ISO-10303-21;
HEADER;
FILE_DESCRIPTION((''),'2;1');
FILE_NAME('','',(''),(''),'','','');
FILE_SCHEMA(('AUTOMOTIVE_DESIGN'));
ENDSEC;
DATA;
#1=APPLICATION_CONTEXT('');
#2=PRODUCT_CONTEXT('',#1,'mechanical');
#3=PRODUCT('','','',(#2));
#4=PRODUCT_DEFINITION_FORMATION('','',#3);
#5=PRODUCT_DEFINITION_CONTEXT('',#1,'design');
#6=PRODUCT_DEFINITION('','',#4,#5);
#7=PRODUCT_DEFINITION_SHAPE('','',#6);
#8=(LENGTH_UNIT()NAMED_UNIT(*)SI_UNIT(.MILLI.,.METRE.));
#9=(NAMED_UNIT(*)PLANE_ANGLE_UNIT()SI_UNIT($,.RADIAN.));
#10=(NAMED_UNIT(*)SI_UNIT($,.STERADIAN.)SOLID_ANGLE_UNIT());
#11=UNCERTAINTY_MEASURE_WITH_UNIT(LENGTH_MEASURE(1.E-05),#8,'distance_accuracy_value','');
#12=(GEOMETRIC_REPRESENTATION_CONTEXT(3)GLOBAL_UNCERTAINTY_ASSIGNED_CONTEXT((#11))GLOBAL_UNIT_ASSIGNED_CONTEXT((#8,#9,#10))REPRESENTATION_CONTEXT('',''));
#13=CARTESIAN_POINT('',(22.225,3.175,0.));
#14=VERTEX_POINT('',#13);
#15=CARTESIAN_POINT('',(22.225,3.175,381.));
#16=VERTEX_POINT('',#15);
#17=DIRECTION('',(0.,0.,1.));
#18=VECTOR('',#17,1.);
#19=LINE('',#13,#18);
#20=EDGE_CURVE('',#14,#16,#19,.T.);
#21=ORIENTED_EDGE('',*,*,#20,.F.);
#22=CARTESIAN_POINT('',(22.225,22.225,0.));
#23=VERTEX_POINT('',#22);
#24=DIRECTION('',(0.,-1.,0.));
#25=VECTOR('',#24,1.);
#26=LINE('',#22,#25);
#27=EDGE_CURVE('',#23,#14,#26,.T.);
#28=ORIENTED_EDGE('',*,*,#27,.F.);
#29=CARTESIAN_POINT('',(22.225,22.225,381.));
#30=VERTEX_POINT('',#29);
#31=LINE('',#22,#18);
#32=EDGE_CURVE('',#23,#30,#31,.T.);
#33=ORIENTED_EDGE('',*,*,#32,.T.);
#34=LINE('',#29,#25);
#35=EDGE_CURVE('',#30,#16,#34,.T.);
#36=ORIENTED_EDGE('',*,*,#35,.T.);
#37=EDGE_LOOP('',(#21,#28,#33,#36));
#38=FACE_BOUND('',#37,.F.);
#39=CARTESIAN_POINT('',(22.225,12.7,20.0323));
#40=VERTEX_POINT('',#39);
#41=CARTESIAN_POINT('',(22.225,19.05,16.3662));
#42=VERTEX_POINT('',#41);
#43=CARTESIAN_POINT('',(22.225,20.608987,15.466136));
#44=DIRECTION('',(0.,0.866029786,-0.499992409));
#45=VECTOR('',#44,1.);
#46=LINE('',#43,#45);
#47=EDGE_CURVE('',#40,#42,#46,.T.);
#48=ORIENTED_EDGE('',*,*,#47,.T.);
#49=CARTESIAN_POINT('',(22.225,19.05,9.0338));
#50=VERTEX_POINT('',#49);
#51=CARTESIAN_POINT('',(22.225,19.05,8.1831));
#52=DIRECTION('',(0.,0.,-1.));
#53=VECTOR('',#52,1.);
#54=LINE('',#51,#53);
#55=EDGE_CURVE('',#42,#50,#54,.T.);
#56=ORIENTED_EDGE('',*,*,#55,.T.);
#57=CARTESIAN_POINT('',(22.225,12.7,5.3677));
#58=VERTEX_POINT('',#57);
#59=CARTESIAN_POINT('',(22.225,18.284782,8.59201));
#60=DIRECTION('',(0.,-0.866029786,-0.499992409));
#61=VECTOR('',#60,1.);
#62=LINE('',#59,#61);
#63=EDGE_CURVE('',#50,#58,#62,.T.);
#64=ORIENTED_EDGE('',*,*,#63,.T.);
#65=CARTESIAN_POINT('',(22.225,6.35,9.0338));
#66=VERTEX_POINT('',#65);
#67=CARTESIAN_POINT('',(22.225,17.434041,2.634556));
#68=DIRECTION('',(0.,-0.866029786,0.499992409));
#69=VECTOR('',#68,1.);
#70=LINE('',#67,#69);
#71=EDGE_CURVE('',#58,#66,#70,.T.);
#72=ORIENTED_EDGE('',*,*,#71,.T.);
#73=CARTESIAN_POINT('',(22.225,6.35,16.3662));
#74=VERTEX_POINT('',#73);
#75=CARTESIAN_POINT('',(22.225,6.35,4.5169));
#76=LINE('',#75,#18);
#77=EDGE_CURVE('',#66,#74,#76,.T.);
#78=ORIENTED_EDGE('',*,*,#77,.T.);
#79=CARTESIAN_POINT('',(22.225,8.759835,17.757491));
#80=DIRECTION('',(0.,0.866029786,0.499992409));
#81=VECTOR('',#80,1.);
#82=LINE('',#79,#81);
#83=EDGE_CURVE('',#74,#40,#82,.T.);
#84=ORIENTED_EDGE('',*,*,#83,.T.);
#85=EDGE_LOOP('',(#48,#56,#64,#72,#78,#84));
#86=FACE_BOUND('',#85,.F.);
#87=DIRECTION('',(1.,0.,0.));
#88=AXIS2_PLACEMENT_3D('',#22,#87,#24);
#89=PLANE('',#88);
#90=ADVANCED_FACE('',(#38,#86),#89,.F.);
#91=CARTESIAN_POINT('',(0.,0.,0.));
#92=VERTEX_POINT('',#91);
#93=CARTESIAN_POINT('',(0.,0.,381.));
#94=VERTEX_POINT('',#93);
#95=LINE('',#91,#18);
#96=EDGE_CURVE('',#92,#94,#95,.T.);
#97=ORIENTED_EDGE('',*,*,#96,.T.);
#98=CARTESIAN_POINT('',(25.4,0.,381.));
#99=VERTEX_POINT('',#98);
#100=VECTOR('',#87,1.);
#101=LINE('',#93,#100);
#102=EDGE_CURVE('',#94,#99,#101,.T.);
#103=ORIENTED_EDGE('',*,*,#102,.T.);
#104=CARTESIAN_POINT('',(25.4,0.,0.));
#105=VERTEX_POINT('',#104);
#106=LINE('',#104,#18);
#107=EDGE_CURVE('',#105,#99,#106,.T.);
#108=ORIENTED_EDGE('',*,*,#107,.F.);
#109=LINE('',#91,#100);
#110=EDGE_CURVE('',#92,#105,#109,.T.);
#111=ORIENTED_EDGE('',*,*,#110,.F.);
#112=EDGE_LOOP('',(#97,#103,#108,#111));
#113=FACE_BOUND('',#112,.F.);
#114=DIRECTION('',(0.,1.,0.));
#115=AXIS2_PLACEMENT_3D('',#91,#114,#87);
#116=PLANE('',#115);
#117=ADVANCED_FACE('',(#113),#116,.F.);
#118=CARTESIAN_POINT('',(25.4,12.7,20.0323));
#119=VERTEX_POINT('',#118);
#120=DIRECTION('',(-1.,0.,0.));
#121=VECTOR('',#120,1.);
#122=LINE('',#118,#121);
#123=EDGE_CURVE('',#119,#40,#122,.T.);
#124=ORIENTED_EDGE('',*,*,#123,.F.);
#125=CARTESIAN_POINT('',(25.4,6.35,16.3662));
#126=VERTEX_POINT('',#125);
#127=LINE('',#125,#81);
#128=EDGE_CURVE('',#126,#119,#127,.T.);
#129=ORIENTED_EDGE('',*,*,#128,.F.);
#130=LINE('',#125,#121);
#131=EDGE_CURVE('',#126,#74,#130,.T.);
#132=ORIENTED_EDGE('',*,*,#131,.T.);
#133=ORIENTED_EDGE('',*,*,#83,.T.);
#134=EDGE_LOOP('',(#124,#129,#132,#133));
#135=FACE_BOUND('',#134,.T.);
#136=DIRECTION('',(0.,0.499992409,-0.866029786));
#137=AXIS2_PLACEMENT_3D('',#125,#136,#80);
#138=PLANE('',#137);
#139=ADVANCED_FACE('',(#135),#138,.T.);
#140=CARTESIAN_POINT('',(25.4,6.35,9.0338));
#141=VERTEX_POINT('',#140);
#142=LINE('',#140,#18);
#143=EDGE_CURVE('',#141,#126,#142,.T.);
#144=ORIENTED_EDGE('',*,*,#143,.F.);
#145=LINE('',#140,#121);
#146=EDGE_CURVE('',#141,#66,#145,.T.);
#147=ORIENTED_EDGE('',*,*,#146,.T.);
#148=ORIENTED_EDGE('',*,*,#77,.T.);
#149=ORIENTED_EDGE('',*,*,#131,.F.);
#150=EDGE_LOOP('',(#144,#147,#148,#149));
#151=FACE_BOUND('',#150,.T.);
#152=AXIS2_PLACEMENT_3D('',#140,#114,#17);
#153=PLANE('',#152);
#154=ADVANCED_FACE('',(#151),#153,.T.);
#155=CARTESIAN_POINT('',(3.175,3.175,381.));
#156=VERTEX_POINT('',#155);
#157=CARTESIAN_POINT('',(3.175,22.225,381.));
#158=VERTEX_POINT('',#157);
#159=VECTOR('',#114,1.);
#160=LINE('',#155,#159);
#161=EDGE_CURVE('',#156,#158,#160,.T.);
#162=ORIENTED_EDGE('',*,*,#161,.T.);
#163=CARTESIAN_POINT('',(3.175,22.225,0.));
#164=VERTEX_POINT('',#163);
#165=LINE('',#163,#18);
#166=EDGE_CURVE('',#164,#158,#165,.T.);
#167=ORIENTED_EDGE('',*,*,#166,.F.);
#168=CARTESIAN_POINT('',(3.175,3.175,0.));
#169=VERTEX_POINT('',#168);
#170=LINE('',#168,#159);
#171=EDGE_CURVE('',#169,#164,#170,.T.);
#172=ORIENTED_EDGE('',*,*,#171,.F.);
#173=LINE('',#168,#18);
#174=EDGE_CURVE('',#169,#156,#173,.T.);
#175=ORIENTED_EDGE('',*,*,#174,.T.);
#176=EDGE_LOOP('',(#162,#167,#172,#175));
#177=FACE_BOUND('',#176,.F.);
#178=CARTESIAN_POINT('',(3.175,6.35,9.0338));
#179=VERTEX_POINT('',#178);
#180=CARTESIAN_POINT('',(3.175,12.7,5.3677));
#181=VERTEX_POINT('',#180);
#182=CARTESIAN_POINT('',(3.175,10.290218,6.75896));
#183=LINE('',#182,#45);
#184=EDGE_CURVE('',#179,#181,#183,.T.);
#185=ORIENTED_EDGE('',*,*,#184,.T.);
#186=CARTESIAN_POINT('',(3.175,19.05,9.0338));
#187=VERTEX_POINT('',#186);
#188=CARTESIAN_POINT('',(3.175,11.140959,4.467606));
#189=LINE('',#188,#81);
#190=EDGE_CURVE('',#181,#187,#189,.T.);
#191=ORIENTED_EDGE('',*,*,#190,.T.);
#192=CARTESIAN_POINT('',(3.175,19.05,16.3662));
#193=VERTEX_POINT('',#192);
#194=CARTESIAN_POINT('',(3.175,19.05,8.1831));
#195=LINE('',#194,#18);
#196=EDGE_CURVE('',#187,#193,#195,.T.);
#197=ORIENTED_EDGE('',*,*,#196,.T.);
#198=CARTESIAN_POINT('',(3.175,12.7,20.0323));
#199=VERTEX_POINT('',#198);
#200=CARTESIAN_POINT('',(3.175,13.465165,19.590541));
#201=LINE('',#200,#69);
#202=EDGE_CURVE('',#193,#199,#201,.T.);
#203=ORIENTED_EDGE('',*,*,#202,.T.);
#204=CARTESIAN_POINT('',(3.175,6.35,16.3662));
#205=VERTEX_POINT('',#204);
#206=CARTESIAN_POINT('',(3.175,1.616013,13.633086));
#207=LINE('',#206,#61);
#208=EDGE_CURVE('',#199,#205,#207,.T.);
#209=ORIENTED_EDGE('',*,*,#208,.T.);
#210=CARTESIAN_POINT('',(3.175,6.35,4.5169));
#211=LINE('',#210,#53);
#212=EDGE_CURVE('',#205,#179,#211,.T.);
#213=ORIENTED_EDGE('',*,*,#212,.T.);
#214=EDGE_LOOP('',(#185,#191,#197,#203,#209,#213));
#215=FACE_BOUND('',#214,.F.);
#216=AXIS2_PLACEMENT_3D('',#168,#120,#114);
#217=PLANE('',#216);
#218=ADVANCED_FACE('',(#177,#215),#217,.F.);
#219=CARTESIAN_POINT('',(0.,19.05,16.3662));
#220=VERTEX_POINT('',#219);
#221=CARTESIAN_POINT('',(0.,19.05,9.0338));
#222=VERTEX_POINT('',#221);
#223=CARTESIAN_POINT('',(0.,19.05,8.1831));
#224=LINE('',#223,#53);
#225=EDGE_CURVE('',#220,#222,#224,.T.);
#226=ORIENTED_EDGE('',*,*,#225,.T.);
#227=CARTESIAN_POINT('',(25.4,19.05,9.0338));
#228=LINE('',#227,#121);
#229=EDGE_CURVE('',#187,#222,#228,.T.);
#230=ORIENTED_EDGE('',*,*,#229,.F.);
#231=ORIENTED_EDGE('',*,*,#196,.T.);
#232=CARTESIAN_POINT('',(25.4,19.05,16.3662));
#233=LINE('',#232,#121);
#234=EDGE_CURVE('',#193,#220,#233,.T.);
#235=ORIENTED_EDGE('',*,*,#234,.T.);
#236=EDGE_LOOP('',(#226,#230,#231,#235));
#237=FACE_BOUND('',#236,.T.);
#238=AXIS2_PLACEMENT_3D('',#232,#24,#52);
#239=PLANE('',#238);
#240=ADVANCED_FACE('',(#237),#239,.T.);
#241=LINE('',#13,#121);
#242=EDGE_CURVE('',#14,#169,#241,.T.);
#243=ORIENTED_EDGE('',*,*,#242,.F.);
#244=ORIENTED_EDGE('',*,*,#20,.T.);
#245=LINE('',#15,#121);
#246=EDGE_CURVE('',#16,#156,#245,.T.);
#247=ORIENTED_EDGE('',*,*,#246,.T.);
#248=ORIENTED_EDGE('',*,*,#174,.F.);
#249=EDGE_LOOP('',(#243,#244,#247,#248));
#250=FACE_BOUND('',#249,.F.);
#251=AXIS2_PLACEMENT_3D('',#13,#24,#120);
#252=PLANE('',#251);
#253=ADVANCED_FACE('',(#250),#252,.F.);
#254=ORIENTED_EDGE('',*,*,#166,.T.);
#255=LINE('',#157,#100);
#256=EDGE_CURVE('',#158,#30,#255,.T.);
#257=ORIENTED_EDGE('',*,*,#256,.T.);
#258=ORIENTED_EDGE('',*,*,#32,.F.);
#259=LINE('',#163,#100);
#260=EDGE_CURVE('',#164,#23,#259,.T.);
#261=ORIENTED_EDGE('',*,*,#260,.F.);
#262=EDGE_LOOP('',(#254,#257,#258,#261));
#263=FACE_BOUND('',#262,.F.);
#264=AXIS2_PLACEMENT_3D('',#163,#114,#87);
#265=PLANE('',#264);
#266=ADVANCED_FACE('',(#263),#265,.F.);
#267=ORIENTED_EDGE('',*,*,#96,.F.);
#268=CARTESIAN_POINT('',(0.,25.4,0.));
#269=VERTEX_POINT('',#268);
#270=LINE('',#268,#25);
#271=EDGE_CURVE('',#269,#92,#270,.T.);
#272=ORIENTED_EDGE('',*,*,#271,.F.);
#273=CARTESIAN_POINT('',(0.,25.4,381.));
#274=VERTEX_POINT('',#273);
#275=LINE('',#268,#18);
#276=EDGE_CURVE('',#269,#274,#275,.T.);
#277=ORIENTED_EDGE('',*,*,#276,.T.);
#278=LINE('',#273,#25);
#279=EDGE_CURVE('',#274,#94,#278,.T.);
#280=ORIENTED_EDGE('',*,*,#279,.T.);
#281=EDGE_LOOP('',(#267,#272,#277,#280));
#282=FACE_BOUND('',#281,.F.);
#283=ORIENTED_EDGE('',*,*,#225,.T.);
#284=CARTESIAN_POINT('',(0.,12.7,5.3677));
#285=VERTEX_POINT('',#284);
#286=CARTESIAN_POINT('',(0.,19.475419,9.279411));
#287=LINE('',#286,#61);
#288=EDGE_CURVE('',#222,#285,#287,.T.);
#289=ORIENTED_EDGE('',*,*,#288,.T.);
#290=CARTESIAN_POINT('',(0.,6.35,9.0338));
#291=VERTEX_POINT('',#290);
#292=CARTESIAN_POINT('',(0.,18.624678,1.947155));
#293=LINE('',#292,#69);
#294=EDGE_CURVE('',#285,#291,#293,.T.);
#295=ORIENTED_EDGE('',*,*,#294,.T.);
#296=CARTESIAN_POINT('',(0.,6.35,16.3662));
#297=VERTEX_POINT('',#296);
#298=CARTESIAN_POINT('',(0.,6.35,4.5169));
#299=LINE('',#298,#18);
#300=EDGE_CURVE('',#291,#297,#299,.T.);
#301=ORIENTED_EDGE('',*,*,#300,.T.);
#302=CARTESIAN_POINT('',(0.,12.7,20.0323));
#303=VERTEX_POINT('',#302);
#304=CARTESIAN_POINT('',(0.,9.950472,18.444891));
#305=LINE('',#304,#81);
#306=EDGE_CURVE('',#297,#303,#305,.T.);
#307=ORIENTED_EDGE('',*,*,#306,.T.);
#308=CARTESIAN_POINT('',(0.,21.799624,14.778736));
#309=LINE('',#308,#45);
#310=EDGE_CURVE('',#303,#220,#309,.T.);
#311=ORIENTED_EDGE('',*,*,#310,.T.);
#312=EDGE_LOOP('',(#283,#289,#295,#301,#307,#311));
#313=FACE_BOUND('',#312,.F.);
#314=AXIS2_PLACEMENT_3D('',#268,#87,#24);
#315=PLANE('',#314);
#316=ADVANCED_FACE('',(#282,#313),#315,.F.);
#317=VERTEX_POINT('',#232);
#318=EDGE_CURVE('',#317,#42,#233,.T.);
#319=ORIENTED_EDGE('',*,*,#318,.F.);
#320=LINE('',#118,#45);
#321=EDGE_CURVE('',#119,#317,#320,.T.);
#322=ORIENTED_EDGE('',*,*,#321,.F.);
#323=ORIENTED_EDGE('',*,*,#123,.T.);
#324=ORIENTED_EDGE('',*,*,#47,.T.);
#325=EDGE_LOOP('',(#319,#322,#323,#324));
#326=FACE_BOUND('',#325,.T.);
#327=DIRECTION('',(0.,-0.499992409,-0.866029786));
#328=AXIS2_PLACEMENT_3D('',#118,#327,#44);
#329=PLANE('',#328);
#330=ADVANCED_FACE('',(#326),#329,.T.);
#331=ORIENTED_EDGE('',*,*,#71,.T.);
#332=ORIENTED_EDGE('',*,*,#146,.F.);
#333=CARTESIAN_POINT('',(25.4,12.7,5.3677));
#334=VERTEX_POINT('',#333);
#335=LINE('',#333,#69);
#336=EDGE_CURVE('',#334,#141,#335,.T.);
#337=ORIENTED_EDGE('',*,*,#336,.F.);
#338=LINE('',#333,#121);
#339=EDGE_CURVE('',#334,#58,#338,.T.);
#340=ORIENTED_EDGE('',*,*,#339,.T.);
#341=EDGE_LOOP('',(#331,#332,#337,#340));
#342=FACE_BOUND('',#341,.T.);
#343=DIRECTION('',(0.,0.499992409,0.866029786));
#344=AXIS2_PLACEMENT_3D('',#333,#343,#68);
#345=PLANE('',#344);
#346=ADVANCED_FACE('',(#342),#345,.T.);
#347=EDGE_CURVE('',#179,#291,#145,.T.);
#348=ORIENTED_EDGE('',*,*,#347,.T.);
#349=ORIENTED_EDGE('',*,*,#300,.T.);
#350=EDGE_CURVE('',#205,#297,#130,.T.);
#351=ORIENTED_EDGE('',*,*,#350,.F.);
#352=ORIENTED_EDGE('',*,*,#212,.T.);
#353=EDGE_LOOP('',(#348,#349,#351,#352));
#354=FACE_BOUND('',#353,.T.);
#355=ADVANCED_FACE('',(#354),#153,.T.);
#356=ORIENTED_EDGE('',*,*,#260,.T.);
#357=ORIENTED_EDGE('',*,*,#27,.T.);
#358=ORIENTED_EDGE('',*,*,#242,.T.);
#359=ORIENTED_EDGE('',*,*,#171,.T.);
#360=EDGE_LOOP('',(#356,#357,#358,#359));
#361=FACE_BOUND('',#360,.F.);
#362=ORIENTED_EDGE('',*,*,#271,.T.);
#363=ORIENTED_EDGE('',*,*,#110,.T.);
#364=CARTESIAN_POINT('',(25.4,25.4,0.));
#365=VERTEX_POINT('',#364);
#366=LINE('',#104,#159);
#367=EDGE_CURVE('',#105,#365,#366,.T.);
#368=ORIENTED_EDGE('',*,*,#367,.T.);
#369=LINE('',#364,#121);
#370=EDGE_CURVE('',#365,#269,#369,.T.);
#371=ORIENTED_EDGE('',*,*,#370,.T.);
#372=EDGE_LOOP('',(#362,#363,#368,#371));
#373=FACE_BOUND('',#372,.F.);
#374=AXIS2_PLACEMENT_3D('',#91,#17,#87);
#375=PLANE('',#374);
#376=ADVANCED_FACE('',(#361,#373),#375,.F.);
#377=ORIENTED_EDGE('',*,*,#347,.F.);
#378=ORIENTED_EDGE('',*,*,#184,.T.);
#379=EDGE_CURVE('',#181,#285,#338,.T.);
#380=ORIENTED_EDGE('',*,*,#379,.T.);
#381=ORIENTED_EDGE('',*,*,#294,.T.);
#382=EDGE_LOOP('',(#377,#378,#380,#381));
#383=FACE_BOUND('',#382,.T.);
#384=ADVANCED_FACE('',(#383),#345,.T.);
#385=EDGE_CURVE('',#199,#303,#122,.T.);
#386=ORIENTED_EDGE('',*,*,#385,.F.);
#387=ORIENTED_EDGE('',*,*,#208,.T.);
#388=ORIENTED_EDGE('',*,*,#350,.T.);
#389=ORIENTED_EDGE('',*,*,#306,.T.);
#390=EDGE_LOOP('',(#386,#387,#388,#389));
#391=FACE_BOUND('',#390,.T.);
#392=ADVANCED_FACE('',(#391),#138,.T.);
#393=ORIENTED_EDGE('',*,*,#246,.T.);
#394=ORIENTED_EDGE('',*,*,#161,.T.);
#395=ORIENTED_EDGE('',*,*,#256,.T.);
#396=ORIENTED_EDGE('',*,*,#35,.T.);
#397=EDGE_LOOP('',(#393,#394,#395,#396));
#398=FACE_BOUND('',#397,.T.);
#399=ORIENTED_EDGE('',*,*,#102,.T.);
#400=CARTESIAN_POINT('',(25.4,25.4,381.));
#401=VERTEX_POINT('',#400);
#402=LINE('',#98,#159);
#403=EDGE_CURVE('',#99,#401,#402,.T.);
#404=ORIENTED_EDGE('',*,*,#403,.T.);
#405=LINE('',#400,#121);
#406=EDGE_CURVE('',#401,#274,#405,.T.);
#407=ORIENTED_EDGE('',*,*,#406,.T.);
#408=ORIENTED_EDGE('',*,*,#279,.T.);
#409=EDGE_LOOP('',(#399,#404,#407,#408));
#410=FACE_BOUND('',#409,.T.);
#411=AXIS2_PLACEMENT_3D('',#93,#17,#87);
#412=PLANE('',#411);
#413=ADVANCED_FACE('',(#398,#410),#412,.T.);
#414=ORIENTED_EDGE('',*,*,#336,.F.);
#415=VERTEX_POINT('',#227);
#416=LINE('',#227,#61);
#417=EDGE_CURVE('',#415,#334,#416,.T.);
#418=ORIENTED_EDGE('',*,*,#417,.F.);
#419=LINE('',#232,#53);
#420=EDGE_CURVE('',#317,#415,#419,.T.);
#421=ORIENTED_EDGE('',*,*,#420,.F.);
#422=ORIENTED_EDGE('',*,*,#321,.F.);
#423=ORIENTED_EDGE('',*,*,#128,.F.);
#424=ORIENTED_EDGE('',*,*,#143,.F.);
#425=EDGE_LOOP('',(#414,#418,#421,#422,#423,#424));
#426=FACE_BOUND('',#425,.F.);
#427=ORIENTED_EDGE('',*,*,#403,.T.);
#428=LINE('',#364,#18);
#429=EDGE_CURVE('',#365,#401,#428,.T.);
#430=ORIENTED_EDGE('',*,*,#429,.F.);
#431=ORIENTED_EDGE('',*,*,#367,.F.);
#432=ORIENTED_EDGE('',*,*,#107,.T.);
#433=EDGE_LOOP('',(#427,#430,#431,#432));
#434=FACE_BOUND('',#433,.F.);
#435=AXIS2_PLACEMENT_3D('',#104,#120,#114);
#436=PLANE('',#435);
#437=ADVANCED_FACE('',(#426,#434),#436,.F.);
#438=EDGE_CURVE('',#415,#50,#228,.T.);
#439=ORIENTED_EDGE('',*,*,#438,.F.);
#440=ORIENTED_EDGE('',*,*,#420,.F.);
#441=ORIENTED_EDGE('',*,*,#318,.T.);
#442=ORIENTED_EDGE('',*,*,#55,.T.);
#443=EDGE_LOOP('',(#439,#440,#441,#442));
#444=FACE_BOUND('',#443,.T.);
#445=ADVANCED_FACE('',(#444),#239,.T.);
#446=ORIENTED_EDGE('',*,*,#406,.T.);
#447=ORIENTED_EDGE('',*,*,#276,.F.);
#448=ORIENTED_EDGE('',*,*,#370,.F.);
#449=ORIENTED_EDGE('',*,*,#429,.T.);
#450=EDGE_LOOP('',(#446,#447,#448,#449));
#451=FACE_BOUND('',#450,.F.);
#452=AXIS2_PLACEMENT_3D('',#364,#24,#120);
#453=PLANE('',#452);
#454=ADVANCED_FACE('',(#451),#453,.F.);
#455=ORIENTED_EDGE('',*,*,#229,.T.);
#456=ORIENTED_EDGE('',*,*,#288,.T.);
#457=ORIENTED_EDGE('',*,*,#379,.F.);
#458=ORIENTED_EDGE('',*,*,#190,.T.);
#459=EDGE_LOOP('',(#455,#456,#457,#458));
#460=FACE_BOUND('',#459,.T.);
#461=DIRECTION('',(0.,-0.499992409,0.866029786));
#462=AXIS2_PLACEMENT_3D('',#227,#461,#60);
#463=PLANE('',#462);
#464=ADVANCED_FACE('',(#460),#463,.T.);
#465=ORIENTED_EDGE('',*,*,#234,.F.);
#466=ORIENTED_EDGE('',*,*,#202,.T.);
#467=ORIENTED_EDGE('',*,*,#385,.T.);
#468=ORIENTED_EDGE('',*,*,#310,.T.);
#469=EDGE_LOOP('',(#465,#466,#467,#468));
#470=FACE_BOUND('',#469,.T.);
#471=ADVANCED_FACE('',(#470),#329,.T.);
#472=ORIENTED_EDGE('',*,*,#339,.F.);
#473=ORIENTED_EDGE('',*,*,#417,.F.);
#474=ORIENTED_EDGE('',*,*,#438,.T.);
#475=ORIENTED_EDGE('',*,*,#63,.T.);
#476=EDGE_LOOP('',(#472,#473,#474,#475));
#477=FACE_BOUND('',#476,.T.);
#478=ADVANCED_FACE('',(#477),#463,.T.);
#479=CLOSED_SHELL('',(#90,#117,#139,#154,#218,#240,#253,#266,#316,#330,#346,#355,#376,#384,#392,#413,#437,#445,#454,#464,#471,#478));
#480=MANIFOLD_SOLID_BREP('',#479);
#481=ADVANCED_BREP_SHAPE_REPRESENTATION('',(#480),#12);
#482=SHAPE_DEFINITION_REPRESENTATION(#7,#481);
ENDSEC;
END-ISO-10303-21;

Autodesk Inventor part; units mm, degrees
ref_plane "YZ Plane" through (0, 0, 0) normal (1, 0, 0) x (0, 1, 0)
ref_plane "XZ Plane" through (0, 0, 0) normal (0, 1, 0) x (-1, 0, 0)
ref_plane "XY Plane" through (0, 0, 0) normal (0, 0, 1) x (1, 0, 0)
sketch "Sketch1" plane through (0, 0, 0) normal (0, 0, 1) x (1, 0, 0)
  line L0 (0, 0) -> (25.4, 0)
  line L1 (25.4, 0) -> (25.4, 25.4)
  line L2 (25.4, 25.4) -> (0, 25.4)
  line L3 (0, 25.4) -> (0, 0)
  line L4 (3.175, 22.225) -> (22.225, 22.225)
  line L5 (22.225, 22.225) -> (22.225, 3.175)
  line L6 (22.225, 3.175) -> (3.175, 3.175)
  line L7 (3.175, 3.175) -> (3.175, 22.225)
  dimension "d0" = 25.4
  dimension "d1" = 25.4
  dimension "d2" = 3.175
extrude "Extrusion1" add sketch "Sketch1" along normal blind 381
sketch "Sketch2" plane through (25.4, 0, 0) normal (1, 0, 0) x (0, 0, -1)
  line L0 (0, 0) -> (0, 25.4) construction
  line L1 (0, 12.7) -> (-12.7, 12.7) construction
  line L2 (-5.3677, 12.7) -> (-9.0338, 6.35)
  line L3 (-9.0338, 6.35) -> (-16.3662, 6.35)
  line L4 (-16.3662, 6.35) -> (-20.0323, 12.7)
  line L5 (-20.0323, 12.7) -> (-16.3662, 19.05)
  line L6 (-16.3662, 19.05) -> (-9.0338, 19.05)
  line L7 (-9.0338, 19.05) -> (-5.3677, 12.7)
  dimension "d5" = 12.7
  dimension "d6" = 12.7
extrude "Extrusion2" cut sketch "Sketch2" against normal blind 381
properties part number "1x1 15in"
